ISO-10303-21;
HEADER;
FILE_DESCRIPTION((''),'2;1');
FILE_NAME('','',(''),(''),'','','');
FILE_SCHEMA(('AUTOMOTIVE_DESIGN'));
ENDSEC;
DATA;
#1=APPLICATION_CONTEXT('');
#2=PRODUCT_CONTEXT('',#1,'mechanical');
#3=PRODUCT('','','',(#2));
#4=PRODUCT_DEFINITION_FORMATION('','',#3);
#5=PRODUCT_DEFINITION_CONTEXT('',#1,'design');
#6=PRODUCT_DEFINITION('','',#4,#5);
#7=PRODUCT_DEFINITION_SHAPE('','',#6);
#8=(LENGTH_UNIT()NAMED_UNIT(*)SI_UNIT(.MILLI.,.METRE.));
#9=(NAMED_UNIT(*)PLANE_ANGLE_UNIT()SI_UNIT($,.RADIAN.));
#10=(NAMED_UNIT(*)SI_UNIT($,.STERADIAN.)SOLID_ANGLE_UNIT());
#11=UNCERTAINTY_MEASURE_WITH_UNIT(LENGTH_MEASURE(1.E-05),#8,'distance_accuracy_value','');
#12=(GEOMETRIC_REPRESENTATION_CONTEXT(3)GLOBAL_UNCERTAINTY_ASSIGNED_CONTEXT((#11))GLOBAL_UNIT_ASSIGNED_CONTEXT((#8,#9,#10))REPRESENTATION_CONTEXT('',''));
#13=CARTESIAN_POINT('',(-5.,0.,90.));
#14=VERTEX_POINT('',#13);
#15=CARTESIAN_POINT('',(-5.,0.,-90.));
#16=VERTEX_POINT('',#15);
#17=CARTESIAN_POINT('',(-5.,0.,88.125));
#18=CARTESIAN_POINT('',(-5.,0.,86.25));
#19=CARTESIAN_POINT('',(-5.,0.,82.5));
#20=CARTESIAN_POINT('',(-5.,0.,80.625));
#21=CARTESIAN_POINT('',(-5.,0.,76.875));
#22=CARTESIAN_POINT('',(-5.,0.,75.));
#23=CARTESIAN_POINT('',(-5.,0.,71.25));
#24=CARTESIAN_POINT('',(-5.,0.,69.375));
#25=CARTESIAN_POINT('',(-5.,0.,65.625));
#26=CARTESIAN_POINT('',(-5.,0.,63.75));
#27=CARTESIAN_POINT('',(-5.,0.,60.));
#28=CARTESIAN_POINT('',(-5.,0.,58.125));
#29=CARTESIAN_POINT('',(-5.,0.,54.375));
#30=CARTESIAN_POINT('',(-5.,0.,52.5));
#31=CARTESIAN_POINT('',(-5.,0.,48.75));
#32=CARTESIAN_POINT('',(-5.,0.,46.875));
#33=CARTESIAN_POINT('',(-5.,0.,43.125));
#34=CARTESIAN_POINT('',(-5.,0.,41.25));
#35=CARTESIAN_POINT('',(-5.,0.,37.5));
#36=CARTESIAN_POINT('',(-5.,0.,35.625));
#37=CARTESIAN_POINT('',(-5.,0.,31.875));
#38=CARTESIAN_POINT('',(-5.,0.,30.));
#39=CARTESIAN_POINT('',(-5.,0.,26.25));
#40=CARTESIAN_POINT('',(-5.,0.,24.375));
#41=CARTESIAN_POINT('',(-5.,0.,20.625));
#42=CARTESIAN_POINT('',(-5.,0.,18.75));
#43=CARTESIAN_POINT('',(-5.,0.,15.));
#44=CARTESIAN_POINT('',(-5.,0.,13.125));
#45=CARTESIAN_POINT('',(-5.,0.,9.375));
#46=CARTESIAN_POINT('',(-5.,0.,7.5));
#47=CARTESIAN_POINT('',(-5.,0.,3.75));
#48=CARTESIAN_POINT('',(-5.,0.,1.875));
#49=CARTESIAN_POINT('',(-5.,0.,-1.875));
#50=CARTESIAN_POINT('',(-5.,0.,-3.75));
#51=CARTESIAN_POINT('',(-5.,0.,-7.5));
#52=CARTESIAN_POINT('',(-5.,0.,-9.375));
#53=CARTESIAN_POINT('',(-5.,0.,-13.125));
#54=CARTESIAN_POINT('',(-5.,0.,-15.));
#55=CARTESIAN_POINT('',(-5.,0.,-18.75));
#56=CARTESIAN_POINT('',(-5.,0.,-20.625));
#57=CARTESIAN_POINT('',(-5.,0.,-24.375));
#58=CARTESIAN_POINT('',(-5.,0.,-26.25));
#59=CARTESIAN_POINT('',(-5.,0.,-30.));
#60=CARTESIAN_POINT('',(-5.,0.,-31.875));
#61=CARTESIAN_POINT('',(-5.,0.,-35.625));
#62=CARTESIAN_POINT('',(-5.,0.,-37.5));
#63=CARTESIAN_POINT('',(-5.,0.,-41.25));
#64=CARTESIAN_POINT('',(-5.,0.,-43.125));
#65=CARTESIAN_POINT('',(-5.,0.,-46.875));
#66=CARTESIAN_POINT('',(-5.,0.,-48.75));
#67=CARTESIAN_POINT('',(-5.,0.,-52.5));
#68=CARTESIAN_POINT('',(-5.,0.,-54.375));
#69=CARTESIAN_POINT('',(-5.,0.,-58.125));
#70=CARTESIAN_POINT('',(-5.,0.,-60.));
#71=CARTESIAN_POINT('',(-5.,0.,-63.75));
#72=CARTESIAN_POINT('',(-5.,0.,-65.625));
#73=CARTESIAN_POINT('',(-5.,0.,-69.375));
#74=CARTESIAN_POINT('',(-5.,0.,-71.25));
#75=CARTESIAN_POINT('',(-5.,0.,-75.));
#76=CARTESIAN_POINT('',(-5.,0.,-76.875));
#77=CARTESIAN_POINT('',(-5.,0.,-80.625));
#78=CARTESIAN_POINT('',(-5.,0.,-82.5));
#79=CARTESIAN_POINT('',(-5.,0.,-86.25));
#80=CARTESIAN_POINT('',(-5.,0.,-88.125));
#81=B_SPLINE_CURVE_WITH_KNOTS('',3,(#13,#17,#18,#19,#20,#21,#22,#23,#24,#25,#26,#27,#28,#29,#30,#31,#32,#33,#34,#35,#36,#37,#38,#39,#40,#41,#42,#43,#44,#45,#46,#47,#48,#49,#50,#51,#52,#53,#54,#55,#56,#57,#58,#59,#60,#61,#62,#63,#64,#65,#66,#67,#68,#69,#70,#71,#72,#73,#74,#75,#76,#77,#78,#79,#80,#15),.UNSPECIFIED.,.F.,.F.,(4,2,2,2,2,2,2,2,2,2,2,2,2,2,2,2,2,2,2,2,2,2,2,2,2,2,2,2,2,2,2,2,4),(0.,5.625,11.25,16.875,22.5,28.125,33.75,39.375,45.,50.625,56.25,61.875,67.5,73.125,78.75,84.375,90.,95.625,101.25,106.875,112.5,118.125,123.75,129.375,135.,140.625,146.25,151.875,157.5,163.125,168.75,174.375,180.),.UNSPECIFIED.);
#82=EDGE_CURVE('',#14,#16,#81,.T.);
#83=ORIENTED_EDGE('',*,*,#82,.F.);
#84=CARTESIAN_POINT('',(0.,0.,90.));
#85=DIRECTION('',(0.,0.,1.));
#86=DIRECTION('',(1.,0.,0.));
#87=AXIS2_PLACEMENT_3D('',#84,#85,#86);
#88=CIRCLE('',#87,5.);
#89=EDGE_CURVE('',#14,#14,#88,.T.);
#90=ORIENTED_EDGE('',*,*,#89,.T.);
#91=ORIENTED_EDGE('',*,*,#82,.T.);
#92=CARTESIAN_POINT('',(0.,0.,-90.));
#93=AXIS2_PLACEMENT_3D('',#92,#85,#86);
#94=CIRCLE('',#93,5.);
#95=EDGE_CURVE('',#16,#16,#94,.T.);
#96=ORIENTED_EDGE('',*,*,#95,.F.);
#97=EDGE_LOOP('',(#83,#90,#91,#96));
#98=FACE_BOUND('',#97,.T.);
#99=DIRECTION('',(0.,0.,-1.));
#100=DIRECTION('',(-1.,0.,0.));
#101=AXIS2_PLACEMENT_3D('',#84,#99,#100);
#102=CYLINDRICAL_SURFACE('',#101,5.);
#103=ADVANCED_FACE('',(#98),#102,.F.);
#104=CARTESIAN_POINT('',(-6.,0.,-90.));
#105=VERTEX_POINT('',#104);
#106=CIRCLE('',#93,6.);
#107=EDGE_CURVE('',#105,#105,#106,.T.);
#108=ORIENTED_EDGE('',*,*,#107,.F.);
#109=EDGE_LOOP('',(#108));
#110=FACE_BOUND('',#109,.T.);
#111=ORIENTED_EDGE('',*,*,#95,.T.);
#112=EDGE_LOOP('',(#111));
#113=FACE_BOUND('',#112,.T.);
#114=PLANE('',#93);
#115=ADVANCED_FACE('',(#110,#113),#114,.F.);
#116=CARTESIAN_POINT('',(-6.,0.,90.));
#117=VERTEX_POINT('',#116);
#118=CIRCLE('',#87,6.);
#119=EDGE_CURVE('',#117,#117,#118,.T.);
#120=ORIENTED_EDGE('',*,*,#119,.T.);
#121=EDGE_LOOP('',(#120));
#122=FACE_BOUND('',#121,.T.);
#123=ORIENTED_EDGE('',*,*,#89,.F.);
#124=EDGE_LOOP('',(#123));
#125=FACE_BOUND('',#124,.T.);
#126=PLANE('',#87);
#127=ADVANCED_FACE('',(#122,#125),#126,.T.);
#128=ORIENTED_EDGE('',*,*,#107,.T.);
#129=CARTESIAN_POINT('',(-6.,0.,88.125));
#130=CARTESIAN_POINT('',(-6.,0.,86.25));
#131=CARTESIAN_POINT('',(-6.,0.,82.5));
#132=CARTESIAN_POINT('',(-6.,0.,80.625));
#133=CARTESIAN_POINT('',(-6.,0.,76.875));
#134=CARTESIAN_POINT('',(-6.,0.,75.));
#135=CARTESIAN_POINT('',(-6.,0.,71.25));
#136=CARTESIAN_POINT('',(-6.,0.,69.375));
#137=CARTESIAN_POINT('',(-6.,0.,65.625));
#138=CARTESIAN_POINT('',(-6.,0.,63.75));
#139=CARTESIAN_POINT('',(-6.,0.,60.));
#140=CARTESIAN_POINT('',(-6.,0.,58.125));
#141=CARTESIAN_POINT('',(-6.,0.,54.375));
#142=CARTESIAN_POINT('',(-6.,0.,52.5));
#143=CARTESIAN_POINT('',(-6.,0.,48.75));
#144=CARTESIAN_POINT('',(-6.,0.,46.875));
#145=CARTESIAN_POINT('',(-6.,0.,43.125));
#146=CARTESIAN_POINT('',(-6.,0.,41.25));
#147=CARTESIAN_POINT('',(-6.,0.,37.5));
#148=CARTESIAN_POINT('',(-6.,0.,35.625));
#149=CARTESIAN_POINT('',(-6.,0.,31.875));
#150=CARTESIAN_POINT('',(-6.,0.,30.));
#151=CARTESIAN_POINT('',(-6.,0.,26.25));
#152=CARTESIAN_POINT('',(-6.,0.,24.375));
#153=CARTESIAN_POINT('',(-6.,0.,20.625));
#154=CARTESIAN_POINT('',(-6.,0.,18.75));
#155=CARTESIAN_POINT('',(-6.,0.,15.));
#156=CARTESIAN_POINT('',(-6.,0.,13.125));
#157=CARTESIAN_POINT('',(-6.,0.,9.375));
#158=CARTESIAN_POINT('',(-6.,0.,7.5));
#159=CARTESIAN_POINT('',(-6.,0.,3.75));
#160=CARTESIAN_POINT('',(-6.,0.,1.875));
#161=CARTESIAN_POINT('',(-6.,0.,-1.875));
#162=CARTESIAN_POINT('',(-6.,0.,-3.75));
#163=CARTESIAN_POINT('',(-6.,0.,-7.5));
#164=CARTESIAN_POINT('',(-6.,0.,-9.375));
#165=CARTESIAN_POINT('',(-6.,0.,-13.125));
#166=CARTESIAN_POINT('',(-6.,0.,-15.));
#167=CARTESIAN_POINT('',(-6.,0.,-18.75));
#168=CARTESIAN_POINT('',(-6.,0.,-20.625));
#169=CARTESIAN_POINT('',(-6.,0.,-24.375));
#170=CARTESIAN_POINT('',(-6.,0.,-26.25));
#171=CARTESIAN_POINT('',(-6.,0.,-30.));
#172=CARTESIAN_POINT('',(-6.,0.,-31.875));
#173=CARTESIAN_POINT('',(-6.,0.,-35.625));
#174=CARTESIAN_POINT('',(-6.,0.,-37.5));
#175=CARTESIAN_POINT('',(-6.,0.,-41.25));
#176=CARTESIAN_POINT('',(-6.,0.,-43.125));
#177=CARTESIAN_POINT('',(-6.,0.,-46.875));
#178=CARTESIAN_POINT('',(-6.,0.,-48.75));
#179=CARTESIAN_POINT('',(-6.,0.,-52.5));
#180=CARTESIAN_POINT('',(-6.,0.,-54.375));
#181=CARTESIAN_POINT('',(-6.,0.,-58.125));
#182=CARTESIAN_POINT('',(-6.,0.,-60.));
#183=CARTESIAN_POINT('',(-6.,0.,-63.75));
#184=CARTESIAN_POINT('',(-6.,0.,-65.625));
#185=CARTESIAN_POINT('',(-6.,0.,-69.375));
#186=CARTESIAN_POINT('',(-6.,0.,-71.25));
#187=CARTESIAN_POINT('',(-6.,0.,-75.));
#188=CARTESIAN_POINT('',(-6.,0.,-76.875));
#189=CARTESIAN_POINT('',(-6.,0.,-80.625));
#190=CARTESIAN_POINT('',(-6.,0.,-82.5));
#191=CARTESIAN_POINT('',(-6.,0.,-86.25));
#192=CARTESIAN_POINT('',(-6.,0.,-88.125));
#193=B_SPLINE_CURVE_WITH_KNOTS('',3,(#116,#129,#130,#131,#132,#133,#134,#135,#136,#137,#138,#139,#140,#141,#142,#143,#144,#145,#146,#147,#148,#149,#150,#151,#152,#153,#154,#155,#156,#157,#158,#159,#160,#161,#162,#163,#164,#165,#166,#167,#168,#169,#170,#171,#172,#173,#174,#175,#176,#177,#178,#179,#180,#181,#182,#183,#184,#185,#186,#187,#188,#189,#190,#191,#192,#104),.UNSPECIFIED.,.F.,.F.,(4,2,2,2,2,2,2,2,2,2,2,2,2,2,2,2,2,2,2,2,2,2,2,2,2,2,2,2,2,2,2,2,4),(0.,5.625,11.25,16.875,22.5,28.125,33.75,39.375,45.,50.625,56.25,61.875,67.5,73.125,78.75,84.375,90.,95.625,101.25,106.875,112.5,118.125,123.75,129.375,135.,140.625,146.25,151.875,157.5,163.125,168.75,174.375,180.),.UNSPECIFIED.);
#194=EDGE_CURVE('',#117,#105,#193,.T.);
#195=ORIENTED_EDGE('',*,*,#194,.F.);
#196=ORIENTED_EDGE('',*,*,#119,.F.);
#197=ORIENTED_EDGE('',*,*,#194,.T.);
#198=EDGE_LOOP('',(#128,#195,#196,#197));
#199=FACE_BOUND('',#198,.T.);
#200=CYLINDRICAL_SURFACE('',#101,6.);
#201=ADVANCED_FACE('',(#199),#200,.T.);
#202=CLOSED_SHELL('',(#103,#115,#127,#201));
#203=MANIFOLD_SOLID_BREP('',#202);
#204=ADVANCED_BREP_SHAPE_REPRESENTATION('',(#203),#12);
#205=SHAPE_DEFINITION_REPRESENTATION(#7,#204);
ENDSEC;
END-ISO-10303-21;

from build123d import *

# Parameters (mm, degrees)
CROQUIS1_R              = 6
CROQUIS1_R_2            = 5
SALIENTE_EXTRUIR1_DEPTH = 90


with BuildPart() as part:
    # Croquis1 → Saliente-Extruir1 (new, symmetric)
    with BuildSketch(Plane.XY):
        with Locations(Location((0, 0, 0), (0, 0, 180))):
            Circle(CROQUIS1_R)
        with Locations(Location((0, 0, 0), (0, 0, 180))):
            Circle(CROQUIS1_R_2, mode=Mode.SUBTRACT)
    extrude(amount=SALIENTE_EXTRUIR1_DEPTH, both=True)


solid = part.part
